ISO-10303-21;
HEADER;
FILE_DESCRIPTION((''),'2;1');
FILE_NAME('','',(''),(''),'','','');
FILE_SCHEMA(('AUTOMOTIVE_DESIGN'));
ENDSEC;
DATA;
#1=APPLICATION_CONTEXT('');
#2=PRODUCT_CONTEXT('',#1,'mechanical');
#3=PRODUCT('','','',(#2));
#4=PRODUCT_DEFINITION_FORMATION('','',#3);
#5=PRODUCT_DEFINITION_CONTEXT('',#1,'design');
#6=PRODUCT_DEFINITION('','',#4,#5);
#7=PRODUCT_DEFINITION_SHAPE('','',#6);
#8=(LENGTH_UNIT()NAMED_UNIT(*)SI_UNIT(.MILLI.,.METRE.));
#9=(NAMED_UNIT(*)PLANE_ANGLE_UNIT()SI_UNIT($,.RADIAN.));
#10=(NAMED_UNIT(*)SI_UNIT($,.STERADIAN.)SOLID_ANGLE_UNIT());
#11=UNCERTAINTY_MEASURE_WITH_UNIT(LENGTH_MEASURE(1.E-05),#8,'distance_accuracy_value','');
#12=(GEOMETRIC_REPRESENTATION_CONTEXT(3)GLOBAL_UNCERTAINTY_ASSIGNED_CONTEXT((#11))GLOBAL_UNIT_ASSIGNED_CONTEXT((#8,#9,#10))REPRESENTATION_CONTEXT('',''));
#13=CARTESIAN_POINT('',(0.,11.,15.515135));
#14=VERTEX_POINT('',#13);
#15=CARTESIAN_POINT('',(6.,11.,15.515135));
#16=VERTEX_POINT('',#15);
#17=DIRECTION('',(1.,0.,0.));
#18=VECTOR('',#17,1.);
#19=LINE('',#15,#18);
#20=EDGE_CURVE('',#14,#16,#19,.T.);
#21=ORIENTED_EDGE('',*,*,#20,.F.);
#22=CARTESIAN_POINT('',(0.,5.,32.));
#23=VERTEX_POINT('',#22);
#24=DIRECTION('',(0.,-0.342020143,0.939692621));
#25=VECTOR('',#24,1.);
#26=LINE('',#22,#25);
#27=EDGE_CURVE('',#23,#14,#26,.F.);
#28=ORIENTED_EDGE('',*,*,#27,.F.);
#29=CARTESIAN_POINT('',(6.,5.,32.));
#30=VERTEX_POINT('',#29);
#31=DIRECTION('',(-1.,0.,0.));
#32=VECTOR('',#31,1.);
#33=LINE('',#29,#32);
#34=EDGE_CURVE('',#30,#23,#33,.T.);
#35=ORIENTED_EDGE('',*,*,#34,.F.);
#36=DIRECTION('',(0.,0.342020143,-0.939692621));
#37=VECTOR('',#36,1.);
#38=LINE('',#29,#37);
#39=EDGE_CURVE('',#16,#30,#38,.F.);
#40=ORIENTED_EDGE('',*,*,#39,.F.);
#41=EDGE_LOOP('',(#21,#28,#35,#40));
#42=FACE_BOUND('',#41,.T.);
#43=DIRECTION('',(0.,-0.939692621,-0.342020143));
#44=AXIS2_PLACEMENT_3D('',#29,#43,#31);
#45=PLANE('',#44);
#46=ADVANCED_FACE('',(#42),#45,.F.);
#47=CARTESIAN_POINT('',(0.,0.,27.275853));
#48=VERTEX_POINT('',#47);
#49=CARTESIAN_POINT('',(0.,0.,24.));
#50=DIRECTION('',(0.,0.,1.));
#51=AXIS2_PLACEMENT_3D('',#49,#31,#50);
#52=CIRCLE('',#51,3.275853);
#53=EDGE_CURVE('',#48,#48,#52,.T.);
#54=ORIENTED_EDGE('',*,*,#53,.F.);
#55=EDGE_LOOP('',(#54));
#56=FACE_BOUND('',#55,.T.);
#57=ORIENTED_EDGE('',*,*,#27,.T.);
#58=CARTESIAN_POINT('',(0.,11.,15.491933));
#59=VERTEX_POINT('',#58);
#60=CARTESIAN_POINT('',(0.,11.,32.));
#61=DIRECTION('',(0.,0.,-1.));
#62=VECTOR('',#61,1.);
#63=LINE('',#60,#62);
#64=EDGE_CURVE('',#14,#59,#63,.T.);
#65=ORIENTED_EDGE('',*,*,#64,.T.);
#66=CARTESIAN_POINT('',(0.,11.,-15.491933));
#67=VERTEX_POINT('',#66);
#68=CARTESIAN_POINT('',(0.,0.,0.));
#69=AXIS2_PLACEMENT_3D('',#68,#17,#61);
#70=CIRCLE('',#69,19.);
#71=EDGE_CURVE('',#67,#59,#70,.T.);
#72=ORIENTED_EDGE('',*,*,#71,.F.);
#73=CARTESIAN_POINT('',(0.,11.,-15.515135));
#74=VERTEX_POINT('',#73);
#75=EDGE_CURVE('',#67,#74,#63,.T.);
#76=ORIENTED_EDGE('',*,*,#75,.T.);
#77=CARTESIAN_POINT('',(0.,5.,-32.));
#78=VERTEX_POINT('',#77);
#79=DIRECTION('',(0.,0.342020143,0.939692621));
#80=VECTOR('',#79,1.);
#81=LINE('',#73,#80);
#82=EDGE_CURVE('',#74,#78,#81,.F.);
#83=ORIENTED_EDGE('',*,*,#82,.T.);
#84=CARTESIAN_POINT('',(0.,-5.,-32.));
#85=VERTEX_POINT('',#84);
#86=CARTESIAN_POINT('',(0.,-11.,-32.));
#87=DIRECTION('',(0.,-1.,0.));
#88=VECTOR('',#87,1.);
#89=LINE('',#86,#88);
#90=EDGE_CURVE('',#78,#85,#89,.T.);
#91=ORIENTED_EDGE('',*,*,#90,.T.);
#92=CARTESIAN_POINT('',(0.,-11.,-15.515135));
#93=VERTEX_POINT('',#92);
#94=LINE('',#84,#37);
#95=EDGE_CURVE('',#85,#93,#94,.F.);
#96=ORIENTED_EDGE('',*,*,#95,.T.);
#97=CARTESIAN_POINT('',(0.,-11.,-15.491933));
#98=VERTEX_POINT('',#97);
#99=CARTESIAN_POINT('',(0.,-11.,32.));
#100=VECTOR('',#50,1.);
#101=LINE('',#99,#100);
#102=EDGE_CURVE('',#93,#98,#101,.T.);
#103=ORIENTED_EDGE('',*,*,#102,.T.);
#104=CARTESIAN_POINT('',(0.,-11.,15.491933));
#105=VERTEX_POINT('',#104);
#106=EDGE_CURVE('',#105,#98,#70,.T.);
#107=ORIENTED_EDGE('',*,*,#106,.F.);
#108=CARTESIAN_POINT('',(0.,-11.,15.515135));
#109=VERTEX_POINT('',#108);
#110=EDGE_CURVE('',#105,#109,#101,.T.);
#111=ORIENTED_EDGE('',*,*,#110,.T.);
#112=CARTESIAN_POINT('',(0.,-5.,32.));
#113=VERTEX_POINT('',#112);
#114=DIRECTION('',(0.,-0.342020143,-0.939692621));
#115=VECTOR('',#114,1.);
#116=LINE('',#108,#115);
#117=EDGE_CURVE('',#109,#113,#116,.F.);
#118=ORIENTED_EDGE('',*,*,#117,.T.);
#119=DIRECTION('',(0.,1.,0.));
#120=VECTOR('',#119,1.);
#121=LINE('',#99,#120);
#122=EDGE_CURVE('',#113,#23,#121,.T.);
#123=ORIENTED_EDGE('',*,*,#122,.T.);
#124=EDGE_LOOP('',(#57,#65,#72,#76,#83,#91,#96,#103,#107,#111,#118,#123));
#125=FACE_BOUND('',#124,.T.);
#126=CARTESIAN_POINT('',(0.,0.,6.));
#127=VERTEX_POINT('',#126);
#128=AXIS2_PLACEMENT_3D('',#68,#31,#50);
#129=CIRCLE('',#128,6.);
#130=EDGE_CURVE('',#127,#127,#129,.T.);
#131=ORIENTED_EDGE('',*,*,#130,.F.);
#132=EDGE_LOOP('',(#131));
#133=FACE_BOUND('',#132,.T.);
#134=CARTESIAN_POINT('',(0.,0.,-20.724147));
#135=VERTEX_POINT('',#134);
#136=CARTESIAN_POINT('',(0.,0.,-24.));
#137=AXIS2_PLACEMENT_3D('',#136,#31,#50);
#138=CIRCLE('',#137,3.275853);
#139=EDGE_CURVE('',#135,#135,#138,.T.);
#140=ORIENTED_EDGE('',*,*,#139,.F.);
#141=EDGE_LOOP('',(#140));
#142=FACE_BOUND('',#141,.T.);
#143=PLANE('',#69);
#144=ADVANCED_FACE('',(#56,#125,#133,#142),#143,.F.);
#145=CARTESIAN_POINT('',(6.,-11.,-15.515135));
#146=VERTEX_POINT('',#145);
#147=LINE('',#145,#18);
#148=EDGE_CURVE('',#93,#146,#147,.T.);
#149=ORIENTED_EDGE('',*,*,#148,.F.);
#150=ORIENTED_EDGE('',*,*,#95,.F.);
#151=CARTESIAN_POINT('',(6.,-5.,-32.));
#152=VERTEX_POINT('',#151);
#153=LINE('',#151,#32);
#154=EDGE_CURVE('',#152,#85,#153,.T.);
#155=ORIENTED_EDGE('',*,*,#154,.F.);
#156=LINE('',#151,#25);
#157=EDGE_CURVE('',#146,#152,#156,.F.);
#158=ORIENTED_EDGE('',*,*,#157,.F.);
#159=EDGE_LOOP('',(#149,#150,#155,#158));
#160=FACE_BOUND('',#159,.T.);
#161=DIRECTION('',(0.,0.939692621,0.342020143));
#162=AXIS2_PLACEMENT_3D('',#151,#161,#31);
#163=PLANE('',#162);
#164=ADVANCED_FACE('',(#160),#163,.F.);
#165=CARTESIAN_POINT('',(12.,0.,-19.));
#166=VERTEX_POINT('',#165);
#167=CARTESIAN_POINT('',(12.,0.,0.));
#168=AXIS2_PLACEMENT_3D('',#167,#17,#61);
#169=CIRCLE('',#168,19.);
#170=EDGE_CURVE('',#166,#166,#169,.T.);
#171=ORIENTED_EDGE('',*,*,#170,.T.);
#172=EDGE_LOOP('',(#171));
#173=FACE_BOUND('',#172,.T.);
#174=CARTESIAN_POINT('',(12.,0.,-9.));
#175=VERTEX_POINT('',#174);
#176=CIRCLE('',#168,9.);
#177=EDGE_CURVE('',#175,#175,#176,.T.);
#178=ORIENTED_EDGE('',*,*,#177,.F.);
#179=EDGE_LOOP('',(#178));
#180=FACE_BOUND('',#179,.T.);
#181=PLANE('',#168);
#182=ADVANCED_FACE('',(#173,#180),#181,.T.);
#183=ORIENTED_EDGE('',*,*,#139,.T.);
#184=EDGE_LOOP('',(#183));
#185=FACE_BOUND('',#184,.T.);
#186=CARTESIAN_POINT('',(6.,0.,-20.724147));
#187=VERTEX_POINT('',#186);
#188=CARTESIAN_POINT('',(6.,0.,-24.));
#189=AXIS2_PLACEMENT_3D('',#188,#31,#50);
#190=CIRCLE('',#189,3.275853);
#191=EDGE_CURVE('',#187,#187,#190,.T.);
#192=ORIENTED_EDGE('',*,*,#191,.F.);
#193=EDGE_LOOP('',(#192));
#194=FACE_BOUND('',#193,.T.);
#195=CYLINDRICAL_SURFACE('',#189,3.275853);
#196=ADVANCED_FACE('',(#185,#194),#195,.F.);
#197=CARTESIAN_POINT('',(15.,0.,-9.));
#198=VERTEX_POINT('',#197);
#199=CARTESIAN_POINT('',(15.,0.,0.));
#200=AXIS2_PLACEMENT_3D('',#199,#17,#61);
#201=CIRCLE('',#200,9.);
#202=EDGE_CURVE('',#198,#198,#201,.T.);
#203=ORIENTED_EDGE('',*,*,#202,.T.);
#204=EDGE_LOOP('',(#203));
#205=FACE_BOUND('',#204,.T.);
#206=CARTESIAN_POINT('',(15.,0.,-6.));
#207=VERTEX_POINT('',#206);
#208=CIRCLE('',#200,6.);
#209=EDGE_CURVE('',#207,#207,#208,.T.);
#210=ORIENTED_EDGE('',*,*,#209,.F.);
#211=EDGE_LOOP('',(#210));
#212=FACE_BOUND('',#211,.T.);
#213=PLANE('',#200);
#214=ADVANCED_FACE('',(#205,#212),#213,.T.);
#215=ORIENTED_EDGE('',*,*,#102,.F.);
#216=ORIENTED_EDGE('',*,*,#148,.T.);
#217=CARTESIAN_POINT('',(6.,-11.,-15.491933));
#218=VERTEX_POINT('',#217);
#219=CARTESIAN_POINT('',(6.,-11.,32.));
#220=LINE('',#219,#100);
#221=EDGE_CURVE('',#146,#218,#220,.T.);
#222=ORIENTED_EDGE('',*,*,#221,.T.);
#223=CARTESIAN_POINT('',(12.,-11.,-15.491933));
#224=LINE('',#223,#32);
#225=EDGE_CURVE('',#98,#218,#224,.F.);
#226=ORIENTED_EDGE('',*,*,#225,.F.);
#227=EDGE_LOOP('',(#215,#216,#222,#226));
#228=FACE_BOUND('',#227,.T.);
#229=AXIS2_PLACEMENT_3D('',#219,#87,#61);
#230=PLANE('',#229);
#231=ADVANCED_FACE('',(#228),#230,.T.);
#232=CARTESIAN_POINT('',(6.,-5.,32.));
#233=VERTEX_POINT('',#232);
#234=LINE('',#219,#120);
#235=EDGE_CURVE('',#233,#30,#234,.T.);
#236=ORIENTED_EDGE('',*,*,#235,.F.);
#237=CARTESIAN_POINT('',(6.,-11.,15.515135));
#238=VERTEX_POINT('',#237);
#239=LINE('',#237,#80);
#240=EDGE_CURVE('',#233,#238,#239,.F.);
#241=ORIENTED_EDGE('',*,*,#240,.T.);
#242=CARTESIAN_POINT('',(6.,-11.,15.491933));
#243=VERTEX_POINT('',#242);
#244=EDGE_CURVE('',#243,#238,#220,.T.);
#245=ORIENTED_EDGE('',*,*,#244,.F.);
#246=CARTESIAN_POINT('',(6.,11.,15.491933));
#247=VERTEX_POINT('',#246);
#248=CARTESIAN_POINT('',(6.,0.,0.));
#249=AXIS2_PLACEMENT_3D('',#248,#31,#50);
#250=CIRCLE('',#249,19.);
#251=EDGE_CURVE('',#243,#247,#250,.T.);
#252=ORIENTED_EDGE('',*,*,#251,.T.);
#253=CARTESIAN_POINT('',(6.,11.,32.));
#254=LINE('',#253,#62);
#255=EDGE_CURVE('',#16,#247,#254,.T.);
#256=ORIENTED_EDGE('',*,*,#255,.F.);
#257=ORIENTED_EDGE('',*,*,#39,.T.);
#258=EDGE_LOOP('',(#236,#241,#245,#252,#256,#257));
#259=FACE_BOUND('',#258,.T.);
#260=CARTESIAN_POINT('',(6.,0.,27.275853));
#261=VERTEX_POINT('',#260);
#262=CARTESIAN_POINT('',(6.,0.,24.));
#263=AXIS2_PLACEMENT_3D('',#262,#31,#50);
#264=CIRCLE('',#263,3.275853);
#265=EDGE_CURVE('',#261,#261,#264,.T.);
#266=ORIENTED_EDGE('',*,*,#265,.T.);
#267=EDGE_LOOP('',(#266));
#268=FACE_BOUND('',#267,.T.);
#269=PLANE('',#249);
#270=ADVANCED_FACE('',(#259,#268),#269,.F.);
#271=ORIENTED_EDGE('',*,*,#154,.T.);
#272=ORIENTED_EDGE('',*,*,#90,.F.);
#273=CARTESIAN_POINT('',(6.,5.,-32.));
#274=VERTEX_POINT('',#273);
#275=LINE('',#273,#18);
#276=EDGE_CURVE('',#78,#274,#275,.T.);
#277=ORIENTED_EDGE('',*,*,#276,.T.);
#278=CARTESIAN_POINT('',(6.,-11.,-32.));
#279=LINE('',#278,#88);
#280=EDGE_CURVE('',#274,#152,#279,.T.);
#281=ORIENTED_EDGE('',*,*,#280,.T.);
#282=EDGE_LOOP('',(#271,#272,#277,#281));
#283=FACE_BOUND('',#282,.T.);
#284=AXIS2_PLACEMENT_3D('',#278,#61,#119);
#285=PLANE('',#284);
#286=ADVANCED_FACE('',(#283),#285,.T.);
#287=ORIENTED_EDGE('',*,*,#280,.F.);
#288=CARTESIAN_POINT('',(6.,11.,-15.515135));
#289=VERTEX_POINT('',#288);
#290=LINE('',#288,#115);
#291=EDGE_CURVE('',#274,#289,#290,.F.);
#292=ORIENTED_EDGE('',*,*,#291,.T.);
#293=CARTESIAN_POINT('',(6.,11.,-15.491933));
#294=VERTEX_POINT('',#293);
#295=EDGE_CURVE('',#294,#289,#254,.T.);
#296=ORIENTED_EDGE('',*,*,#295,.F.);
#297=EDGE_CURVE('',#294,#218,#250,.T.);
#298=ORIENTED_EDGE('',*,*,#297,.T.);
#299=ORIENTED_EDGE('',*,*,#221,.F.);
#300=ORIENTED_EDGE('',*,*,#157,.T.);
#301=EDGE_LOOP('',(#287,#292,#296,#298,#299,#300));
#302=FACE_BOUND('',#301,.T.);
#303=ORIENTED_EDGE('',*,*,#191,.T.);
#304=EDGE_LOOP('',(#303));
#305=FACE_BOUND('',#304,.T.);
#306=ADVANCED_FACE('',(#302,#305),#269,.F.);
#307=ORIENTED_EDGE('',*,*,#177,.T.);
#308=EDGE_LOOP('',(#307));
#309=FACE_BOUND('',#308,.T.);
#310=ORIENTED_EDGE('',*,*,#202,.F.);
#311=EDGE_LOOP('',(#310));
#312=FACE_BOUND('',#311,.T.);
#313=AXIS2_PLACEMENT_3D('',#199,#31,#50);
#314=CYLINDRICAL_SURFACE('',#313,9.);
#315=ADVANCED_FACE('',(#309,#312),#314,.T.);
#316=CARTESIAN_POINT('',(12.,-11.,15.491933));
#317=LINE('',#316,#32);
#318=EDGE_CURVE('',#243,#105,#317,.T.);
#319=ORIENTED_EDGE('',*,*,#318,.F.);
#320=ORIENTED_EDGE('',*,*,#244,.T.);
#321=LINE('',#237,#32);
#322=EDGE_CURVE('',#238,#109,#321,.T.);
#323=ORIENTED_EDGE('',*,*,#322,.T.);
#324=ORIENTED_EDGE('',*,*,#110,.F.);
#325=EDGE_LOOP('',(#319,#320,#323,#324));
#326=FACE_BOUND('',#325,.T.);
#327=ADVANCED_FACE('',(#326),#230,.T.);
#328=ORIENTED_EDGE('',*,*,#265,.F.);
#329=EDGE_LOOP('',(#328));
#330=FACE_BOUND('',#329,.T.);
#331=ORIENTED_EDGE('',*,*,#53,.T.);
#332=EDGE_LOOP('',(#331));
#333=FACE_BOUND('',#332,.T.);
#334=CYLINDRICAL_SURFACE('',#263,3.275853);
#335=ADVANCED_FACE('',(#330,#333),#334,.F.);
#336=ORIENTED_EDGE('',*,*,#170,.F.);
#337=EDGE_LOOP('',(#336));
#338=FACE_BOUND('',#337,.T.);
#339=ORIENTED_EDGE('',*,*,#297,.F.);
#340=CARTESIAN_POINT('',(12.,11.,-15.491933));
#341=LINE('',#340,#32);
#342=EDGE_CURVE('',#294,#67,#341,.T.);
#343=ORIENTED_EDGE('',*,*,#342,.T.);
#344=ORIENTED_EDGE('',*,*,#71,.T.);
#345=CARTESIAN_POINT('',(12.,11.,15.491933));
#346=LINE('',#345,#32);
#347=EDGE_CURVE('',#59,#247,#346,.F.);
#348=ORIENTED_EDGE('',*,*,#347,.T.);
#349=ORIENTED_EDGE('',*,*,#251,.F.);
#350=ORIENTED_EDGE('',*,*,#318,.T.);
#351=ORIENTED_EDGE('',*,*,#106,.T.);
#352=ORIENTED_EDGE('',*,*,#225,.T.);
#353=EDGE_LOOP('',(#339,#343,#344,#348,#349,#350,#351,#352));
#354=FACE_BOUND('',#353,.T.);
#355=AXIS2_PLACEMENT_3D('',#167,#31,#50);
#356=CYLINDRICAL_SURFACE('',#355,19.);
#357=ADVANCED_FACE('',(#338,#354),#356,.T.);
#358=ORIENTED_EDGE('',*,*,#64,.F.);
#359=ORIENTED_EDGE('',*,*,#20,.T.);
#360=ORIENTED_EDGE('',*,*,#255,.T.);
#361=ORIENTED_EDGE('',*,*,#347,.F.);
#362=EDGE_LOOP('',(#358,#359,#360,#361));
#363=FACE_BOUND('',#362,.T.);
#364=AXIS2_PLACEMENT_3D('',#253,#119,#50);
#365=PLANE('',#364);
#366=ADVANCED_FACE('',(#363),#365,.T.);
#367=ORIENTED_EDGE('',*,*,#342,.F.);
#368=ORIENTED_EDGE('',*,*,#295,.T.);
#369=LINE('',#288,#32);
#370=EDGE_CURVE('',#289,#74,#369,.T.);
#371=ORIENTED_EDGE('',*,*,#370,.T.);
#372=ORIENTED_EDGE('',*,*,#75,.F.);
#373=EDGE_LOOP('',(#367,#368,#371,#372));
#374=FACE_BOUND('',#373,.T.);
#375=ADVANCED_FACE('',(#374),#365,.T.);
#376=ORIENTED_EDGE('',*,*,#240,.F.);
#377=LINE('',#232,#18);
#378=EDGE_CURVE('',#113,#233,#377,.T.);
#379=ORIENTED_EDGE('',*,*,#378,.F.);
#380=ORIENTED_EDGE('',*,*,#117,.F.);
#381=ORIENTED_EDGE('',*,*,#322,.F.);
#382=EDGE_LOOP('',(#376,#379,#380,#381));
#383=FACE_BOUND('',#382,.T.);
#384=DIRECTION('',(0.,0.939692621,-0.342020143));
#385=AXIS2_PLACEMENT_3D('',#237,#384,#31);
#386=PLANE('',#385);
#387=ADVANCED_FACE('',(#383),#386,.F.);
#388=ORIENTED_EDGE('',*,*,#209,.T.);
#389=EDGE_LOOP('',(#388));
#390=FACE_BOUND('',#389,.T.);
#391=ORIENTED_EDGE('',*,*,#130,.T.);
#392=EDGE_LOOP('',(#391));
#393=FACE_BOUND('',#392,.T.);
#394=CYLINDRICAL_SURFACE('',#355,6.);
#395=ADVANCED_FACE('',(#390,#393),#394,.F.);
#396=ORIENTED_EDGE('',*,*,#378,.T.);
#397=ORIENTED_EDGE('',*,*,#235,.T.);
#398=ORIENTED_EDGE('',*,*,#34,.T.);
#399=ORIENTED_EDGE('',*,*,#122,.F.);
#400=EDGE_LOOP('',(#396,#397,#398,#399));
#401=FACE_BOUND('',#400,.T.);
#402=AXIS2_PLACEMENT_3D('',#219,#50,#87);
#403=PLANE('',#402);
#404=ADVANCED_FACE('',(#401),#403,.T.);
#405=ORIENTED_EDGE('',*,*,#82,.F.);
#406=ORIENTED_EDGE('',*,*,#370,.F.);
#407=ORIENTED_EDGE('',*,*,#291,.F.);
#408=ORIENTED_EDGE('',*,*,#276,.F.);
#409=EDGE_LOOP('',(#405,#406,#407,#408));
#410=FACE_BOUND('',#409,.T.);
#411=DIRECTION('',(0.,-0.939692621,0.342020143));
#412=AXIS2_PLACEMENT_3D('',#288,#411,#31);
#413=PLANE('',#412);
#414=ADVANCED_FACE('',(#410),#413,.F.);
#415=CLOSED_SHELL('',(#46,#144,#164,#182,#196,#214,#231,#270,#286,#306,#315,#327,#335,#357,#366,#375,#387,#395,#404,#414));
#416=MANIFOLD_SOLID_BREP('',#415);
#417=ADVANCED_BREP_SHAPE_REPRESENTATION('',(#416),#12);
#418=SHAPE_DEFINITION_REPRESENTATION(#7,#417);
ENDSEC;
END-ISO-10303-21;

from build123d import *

# Parameters (mm, degrees)
SKETCH1_R             = 19
SKETCH1_R_2           = 6
BOSS_EXTRUDE1_DEPTH   = 12
SKETCH2_R             = 9
SKETCH2_R_2           = 6
BOSS_EXTRUDE2_DEPTH   = 3
SKETCH3_W             = 64
SKETCH3_H             = 22
BOSS_EXTRUDE3_DEPTH   = 6
CHAMFER1_SIZE         = 6
CHAMFER1_SIZE2        = 16.484864517
CHAMFER1_PART_2_SIZE  = 6
CHAMFER1_PART_2_SIZE2 = 16.484864517
SKETCH4_R             = 3.275853321
CUT_EXTRUDE1_DEPTH    = 6
LPATTERN1_COUNT       = 2
LPATTERN1_PITCH       = 48
SKETCH5_R             = 6
CUT_EXTRUDE2_DEPTH    = 6


with BuildPart() as part:
    # Sketch1 → Boss-Extrude1 (new body)
    with BuildSketch(Plane(origin=(0, 0, 0), x_dir=(0, 0, -1), z_dir=(1, 0, 0))):
        Circle(SKETCH1_R)
        Circle(SKETCH1_R_2, mode=Mode.SUBTRACT)
    extrude(amount=BOSS_EXTRUDE1_DEPTH)

    # Sketch2 → Boss-Extrude2 (add)
    with BuildSketch(Plane(origin=(12, 0, 0), x_dir=(0, 0, -1), z_dir=(1, 0, 0))):
        Circle(SKETCH2_R)
        Circle(SKETCH2_R_2, mode=Mode.SUBTRACT)
    extrude(amount=BOSS_EXTRUDE2_DEPTH)

    # Sketch3 → Boss-Extrude3 (add)
    with BuildSketch(Plane.ZY):
        Rectangle(SKETCH3_W, SKETCH3_H)
    extrude(amount=-BOSS_EXTRUDE3_DEPTH)

    # Chamfer1
    chamfer1_edges = [part.edges().sort_by_distance(p)[0] for p in [
        (3, -11, 32),
        (3, 11, 32),
    ]]
    chamfer1_side = [part.faces().sort_by_distance(p)[0] for p in [
        (3, 0, 32),
    ]]
    chamfer(chamfer1_edges, length=CHAMFER1_SIZE, length2=CHAMFER1_SIZE2, reference=chamfer1_side[0])

    # Chamfer1 part 2
    chamfer1_part_2_edges = [part.edges().sort_by_distance(p)[0] for p in [
        (3, 11, -32),
        (3, -11, -32),
    ]]
    chamfer1_part_2_side = [part.faces().sort_by_distance(p)[0] for p in [
        (3, 0, -32),
    ]]
    chamfer(chamfer1_part_2_edges, length=CHAMFER1_PART_2_SIZE, length2=CHAMFER1_PART_2_SIZE2, reference=chamfer1_part_2_side[0])

    # Sketch4 → Cut-Extrude1 (cut)
    with BuildSketch(Plane.ZY):
        with Locations((-24, 0)):
            Circle(SKETCH4_R)
    cut_extrude1 = extrude(amount=-CUT_EXTRUDE1_DEPTH, mode=Mode.SUBTRACT)

    # LPattern1: Cut-Extrude1 ×2
    with Locations(*[(0, 0, i * LPATTERN1_PITCH) for i in range(1, LPATTERN1_COUNT)]):
        add(cut_extrude1, mode=Mode.SUBTRACT)

    # Sketch5 → Cut-Extrude2 (cut)
    with BuildSketch(Plane.ZY):
        Circle(SKETCH5_R)
    extrude(amount=-CUT_EXTRUDE2_DEPTH, mode=Mode.SUBTRACT)


solid = part.part
